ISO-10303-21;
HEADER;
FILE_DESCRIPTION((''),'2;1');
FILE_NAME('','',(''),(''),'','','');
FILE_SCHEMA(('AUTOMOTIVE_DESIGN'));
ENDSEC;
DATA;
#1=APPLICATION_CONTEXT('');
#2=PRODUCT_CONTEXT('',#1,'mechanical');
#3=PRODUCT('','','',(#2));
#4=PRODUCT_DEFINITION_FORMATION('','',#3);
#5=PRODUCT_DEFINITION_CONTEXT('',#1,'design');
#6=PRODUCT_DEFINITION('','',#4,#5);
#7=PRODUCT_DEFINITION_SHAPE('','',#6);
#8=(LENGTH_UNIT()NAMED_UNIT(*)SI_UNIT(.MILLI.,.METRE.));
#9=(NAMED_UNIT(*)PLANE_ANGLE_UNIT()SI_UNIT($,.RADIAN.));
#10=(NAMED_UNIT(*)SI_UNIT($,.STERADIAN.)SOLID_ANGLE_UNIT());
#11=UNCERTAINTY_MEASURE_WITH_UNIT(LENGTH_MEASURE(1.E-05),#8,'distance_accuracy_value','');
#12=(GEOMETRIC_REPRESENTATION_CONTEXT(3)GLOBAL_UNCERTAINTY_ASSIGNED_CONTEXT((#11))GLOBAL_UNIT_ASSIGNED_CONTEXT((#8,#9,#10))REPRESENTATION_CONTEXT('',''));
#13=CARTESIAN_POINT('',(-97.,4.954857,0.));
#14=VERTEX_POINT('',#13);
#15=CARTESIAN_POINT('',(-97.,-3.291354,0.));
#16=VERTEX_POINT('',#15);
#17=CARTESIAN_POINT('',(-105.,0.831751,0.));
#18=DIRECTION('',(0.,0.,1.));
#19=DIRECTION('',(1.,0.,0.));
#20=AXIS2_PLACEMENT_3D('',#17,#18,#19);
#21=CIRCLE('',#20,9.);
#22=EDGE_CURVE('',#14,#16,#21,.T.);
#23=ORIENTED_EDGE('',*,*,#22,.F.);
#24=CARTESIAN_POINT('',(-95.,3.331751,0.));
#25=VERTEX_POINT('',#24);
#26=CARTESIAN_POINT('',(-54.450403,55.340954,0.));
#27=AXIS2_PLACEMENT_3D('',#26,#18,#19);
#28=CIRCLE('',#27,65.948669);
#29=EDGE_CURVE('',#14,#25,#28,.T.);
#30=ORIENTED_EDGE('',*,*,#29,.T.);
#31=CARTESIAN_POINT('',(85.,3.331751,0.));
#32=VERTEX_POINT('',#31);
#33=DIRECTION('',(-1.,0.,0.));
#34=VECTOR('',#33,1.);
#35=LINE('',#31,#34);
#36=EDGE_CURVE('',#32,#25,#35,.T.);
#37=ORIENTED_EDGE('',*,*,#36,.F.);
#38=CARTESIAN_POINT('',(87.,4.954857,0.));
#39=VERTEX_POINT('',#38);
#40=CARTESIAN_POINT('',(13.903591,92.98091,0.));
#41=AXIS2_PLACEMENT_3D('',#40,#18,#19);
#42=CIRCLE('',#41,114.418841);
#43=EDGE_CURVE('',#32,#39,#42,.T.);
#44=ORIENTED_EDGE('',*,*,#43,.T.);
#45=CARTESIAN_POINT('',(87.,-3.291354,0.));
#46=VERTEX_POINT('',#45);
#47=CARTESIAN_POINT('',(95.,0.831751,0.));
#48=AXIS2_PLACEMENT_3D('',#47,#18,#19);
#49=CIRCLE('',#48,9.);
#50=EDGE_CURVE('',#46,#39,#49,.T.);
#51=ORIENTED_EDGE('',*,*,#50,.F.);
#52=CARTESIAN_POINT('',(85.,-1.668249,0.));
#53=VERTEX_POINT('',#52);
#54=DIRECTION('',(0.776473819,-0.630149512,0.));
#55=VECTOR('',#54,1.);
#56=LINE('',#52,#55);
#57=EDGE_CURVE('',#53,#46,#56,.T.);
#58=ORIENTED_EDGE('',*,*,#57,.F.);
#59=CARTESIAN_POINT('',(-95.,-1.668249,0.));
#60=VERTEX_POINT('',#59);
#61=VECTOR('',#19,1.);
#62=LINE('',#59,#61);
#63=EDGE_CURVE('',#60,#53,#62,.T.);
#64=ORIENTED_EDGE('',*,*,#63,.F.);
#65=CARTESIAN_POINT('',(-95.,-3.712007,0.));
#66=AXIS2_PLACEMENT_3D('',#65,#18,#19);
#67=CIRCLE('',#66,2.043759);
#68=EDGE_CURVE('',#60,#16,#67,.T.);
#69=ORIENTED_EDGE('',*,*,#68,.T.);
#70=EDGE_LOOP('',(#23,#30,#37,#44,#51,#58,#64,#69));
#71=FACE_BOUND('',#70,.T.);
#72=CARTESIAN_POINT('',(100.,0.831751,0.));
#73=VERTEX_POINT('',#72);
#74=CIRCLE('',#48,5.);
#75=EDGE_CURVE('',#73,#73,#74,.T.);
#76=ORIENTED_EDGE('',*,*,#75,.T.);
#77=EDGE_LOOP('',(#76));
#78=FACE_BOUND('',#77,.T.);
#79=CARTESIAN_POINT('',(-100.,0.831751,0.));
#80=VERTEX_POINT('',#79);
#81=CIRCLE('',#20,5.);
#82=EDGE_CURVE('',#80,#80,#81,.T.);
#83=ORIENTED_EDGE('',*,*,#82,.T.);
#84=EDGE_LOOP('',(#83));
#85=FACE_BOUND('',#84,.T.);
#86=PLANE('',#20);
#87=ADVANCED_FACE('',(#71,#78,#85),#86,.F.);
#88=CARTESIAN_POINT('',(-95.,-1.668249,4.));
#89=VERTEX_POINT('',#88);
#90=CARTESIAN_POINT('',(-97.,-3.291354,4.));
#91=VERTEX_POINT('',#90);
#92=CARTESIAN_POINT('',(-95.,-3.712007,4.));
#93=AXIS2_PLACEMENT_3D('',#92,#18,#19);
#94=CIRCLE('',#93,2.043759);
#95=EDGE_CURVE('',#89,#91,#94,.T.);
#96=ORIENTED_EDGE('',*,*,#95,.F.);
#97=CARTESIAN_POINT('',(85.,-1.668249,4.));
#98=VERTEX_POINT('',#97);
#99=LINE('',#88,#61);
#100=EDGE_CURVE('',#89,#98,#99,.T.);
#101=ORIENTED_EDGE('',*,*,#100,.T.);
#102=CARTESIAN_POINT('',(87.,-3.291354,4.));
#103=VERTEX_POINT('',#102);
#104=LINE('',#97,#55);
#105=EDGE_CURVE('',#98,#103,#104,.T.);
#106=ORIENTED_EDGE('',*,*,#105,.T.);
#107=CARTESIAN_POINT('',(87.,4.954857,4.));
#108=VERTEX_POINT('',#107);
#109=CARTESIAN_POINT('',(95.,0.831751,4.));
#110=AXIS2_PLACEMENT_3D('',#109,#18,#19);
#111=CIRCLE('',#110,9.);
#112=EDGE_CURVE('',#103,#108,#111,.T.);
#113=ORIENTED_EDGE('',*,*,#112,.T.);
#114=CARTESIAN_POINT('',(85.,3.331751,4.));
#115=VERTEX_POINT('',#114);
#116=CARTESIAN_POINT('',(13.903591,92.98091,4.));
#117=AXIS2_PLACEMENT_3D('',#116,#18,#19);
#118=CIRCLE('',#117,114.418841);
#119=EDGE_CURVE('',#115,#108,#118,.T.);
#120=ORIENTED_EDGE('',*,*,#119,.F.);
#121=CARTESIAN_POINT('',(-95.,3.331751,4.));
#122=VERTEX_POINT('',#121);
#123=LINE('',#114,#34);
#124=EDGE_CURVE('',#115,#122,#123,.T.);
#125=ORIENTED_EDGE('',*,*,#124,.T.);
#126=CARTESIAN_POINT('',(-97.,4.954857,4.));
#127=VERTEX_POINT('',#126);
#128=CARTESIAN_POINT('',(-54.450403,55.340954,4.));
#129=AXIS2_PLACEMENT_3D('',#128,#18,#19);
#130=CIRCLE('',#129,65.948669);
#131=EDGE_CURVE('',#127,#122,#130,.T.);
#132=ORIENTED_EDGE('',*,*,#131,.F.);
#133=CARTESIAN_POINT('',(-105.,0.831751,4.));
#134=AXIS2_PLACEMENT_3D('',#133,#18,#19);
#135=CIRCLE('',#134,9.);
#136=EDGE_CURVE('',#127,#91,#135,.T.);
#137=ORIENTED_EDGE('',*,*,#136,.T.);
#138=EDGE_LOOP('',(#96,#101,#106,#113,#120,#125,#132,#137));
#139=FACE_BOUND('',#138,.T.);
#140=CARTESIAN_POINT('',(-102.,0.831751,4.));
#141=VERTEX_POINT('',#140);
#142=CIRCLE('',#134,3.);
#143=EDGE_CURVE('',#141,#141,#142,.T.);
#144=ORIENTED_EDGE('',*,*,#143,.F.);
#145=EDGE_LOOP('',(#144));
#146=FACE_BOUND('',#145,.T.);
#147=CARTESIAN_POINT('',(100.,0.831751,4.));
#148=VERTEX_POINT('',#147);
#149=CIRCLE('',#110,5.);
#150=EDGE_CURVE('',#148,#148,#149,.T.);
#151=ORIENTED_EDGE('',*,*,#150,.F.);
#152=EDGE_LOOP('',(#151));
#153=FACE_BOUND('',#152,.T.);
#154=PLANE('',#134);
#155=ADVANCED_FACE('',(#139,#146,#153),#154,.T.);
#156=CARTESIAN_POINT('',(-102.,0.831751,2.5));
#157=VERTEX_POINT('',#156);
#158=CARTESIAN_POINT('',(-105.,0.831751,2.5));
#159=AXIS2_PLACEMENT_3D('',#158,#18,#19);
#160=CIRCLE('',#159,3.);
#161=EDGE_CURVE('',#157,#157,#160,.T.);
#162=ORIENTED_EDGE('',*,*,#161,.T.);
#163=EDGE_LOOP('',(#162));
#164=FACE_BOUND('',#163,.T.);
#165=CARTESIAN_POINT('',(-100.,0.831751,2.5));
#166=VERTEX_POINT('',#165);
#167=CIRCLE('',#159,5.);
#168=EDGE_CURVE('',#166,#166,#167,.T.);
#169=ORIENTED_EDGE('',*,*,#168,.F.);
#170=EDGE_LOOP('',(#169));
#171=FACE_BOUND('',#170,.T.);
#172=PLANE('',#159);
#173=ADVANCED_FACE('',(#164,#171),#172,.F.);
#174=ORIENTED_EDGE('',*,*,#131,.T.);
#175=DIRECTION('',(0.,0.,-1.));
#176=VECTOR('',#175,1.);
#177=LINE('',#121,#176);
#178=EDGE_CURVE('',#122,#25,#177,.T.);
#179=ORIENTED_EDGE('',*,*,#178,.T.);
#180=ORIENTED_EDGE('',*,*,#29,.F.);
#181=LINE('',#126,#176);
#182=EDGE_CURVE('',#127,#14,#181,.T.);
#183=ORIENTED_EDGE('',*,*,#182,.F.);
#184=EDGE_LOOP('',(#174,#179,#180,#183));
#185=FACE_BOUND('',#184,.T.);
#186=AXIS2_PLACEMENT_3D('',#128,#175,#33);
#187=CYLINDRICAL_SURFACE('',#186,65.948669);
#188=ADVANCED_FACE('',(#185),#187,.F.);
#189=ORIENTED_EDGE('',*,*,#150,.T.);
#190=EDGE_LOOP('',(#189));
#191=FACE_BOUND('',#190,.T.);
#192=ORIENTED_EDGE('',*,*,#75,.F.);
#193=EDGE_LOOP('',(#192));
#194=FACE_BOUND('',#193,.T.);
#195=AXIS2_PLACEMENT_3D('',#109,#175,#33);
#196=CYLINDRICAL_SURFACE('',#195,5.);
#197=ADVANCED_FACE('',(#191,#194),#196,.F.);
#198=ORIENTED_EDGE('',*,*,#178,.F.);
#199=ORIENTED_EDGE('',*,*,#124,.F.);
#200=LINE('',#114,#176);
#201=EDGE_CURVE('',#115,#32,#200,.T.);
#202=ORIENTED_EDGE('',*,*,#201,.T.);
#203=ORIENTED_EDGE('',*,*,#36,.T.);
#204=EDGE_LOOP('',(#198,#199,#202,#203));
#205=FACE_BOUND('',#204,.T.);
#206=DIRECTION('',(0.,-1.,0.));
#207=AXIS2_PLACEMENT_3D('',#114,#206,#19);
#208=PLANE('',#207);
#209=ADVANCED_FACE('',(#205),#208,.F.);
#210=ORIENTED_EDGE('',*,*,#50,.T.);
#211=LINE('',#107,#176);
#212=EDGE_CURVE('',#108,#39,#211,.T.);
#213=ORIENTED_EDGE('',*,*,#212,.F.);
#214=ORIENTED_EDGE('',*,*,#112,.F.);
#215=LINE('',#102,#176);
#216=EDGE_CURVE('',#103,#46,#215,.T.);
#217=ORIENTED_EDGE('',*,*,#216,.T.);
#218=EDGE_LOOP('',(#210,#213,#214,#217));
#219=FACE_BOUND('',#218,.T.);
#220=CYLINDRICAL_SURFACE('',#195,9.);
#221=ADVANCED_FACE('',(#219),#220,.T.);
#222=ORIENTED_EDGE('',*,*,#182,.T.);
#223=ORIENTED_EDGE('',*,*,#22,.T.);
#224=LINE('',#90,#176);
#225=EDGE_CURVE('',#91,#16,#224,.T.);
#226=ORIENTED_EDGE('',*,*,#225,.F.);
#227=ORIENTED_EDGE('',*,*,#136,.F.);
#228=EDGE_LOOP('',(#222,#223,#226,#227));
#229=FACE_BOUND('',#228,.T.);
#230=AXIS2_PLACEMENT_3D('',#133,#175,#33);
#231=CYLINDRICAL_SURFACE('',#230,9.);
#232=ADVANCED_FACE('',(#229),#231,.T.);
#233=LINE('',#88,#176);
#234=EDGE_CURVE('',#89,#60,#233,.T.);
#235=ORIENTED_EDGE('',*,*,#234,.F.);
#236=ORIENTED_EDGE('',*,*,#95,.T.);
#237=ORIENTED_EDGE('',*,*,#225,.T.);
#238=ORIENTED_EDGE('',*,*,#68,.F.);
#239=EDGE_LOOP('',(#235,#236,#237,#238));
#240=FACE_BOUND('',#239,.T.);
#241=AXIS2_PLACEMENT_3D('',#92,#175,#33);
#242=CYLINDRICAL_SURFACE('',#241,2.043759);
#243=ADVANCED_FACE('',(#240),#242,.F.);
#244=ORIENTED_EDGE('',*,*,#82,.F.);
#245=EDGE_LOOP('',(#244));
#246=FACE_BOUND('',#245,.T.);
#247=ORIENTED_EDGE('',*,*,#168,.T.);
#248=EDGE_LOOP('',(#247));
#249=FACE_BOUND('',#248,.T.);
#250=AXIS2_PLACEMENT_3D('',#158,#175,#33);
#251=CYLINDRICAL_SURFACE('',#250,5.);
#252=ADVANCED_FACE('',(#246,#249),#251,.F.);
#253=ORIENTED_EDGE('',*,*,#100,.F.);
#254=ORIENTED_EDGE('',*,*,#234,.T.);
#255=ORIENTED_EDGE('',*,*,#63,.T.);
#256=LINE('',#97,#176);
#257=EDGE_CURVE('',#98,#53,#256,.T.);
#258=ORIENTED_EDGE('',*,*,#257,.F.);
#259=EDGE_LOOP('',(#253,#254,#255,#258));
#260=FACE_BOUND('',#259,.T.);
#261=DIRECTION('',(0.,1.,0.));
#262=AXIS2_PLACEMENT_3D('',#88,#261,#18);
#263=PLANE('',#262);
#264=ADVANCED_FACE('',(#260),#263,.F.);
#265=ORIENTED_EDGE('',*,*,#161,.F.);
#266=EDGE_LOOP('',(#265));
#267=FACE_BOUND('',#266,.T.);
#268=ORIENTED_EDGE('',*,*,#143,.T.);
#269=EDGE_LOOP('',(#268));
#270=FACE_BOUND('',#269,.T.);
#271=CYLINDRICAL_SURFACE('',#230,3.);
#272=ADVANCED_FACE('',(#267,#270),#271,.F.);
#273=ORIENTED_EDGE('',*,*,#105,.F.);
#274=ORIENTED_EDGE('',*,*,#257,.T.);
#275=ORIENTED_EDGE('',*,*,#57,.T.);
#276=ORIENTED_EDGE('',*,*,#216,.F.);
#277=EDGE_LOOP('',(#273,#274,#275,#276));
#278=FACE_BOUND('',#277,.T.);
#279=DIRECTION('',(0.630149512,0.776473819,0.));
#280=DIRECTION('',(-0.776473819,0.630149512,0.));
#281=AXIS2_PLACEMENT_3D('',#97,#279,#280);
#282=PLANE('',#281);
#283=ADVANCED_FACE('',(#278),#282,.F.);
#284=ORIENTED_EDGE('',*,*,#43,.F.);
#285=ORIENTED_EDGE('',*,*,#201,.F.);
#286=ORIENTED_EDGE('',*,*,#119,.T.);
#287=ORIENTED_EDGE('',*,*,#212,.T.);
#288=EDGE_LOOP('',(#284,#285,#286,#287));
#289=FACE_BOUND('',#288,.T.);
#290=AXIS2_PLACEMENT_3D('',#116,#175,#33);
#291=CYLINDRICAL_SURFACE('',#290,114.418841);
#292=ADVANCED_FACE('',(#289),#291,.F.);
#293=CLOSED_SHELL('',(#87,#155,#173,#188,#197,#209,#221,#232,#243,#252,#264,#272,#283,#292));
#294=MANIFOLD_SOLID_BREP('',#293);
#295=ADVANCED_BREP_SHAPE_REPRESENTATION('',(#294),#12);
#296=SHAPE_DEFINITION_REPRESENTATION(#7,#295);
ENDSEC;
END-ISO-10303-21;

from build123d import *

# Parameters (mm, degrees)
SKETCH_1_R          = 3
SKETCH_1_R_2        = 5
EXTRUDE_1_DEPTH     = 4
SKETCH_1_3_R        = 5
CUT_EXTRUDE_1_DEPTH = 2.5


with BuildPart() as part:
    # 草图1 → 凸台-拉伸1 (new body)
    with BuildSketch(Plane.XY):
        with BuildLine():
            Line((-95, -1.668248682), (85, -1.668248682))
            Line((85, -1.668248682), (87, -3.291354308))
            ThreePointArc((87, -3.291354308), (104, 0.831751318), (87, 4.954856943))
            ThreePointArc((87, 4.954856943), (86.004567475, 4.137676062), (85, 3.331751318))
            Line((85, 3.331751318), (-95, 3.331751318))
            ThreePointArc((-95, 3.331751318), (-96.007924928, 4.133538989), (-97, 4.954856943))
            ThreePointArc((-97, 4.954856943), (-114, 0.831751318), (-97, -3.291354308))
            ThreePointArc((-97, -3.291354308), (-96.287873429, -2.125082216), (-95, -1.668248682))
        make_face()
        with Locations((-105, 0.831751318)):
            Circle(SKETCH_1_R, mode=Mode.SUBTRACT)
        with Locations((95, 0.831751318)):
            Circle(SKETCH_1_R_2, mode=Mode.SUBTRACT)
    extrude(amount=EXTRUDE_1_DEPTH)

    # 草图1<3> → 切除-拉伸1 (cut)
    with BuildSketch(Plane.XY):
        with Locations((-105, 0.831751318)):
            Circle(SKETCH_1_3_R)
    extrude(amount=CUT_EXTRUDE_1_DEPTH, mode=Mode.SUBTRACT)


solid = part.part
